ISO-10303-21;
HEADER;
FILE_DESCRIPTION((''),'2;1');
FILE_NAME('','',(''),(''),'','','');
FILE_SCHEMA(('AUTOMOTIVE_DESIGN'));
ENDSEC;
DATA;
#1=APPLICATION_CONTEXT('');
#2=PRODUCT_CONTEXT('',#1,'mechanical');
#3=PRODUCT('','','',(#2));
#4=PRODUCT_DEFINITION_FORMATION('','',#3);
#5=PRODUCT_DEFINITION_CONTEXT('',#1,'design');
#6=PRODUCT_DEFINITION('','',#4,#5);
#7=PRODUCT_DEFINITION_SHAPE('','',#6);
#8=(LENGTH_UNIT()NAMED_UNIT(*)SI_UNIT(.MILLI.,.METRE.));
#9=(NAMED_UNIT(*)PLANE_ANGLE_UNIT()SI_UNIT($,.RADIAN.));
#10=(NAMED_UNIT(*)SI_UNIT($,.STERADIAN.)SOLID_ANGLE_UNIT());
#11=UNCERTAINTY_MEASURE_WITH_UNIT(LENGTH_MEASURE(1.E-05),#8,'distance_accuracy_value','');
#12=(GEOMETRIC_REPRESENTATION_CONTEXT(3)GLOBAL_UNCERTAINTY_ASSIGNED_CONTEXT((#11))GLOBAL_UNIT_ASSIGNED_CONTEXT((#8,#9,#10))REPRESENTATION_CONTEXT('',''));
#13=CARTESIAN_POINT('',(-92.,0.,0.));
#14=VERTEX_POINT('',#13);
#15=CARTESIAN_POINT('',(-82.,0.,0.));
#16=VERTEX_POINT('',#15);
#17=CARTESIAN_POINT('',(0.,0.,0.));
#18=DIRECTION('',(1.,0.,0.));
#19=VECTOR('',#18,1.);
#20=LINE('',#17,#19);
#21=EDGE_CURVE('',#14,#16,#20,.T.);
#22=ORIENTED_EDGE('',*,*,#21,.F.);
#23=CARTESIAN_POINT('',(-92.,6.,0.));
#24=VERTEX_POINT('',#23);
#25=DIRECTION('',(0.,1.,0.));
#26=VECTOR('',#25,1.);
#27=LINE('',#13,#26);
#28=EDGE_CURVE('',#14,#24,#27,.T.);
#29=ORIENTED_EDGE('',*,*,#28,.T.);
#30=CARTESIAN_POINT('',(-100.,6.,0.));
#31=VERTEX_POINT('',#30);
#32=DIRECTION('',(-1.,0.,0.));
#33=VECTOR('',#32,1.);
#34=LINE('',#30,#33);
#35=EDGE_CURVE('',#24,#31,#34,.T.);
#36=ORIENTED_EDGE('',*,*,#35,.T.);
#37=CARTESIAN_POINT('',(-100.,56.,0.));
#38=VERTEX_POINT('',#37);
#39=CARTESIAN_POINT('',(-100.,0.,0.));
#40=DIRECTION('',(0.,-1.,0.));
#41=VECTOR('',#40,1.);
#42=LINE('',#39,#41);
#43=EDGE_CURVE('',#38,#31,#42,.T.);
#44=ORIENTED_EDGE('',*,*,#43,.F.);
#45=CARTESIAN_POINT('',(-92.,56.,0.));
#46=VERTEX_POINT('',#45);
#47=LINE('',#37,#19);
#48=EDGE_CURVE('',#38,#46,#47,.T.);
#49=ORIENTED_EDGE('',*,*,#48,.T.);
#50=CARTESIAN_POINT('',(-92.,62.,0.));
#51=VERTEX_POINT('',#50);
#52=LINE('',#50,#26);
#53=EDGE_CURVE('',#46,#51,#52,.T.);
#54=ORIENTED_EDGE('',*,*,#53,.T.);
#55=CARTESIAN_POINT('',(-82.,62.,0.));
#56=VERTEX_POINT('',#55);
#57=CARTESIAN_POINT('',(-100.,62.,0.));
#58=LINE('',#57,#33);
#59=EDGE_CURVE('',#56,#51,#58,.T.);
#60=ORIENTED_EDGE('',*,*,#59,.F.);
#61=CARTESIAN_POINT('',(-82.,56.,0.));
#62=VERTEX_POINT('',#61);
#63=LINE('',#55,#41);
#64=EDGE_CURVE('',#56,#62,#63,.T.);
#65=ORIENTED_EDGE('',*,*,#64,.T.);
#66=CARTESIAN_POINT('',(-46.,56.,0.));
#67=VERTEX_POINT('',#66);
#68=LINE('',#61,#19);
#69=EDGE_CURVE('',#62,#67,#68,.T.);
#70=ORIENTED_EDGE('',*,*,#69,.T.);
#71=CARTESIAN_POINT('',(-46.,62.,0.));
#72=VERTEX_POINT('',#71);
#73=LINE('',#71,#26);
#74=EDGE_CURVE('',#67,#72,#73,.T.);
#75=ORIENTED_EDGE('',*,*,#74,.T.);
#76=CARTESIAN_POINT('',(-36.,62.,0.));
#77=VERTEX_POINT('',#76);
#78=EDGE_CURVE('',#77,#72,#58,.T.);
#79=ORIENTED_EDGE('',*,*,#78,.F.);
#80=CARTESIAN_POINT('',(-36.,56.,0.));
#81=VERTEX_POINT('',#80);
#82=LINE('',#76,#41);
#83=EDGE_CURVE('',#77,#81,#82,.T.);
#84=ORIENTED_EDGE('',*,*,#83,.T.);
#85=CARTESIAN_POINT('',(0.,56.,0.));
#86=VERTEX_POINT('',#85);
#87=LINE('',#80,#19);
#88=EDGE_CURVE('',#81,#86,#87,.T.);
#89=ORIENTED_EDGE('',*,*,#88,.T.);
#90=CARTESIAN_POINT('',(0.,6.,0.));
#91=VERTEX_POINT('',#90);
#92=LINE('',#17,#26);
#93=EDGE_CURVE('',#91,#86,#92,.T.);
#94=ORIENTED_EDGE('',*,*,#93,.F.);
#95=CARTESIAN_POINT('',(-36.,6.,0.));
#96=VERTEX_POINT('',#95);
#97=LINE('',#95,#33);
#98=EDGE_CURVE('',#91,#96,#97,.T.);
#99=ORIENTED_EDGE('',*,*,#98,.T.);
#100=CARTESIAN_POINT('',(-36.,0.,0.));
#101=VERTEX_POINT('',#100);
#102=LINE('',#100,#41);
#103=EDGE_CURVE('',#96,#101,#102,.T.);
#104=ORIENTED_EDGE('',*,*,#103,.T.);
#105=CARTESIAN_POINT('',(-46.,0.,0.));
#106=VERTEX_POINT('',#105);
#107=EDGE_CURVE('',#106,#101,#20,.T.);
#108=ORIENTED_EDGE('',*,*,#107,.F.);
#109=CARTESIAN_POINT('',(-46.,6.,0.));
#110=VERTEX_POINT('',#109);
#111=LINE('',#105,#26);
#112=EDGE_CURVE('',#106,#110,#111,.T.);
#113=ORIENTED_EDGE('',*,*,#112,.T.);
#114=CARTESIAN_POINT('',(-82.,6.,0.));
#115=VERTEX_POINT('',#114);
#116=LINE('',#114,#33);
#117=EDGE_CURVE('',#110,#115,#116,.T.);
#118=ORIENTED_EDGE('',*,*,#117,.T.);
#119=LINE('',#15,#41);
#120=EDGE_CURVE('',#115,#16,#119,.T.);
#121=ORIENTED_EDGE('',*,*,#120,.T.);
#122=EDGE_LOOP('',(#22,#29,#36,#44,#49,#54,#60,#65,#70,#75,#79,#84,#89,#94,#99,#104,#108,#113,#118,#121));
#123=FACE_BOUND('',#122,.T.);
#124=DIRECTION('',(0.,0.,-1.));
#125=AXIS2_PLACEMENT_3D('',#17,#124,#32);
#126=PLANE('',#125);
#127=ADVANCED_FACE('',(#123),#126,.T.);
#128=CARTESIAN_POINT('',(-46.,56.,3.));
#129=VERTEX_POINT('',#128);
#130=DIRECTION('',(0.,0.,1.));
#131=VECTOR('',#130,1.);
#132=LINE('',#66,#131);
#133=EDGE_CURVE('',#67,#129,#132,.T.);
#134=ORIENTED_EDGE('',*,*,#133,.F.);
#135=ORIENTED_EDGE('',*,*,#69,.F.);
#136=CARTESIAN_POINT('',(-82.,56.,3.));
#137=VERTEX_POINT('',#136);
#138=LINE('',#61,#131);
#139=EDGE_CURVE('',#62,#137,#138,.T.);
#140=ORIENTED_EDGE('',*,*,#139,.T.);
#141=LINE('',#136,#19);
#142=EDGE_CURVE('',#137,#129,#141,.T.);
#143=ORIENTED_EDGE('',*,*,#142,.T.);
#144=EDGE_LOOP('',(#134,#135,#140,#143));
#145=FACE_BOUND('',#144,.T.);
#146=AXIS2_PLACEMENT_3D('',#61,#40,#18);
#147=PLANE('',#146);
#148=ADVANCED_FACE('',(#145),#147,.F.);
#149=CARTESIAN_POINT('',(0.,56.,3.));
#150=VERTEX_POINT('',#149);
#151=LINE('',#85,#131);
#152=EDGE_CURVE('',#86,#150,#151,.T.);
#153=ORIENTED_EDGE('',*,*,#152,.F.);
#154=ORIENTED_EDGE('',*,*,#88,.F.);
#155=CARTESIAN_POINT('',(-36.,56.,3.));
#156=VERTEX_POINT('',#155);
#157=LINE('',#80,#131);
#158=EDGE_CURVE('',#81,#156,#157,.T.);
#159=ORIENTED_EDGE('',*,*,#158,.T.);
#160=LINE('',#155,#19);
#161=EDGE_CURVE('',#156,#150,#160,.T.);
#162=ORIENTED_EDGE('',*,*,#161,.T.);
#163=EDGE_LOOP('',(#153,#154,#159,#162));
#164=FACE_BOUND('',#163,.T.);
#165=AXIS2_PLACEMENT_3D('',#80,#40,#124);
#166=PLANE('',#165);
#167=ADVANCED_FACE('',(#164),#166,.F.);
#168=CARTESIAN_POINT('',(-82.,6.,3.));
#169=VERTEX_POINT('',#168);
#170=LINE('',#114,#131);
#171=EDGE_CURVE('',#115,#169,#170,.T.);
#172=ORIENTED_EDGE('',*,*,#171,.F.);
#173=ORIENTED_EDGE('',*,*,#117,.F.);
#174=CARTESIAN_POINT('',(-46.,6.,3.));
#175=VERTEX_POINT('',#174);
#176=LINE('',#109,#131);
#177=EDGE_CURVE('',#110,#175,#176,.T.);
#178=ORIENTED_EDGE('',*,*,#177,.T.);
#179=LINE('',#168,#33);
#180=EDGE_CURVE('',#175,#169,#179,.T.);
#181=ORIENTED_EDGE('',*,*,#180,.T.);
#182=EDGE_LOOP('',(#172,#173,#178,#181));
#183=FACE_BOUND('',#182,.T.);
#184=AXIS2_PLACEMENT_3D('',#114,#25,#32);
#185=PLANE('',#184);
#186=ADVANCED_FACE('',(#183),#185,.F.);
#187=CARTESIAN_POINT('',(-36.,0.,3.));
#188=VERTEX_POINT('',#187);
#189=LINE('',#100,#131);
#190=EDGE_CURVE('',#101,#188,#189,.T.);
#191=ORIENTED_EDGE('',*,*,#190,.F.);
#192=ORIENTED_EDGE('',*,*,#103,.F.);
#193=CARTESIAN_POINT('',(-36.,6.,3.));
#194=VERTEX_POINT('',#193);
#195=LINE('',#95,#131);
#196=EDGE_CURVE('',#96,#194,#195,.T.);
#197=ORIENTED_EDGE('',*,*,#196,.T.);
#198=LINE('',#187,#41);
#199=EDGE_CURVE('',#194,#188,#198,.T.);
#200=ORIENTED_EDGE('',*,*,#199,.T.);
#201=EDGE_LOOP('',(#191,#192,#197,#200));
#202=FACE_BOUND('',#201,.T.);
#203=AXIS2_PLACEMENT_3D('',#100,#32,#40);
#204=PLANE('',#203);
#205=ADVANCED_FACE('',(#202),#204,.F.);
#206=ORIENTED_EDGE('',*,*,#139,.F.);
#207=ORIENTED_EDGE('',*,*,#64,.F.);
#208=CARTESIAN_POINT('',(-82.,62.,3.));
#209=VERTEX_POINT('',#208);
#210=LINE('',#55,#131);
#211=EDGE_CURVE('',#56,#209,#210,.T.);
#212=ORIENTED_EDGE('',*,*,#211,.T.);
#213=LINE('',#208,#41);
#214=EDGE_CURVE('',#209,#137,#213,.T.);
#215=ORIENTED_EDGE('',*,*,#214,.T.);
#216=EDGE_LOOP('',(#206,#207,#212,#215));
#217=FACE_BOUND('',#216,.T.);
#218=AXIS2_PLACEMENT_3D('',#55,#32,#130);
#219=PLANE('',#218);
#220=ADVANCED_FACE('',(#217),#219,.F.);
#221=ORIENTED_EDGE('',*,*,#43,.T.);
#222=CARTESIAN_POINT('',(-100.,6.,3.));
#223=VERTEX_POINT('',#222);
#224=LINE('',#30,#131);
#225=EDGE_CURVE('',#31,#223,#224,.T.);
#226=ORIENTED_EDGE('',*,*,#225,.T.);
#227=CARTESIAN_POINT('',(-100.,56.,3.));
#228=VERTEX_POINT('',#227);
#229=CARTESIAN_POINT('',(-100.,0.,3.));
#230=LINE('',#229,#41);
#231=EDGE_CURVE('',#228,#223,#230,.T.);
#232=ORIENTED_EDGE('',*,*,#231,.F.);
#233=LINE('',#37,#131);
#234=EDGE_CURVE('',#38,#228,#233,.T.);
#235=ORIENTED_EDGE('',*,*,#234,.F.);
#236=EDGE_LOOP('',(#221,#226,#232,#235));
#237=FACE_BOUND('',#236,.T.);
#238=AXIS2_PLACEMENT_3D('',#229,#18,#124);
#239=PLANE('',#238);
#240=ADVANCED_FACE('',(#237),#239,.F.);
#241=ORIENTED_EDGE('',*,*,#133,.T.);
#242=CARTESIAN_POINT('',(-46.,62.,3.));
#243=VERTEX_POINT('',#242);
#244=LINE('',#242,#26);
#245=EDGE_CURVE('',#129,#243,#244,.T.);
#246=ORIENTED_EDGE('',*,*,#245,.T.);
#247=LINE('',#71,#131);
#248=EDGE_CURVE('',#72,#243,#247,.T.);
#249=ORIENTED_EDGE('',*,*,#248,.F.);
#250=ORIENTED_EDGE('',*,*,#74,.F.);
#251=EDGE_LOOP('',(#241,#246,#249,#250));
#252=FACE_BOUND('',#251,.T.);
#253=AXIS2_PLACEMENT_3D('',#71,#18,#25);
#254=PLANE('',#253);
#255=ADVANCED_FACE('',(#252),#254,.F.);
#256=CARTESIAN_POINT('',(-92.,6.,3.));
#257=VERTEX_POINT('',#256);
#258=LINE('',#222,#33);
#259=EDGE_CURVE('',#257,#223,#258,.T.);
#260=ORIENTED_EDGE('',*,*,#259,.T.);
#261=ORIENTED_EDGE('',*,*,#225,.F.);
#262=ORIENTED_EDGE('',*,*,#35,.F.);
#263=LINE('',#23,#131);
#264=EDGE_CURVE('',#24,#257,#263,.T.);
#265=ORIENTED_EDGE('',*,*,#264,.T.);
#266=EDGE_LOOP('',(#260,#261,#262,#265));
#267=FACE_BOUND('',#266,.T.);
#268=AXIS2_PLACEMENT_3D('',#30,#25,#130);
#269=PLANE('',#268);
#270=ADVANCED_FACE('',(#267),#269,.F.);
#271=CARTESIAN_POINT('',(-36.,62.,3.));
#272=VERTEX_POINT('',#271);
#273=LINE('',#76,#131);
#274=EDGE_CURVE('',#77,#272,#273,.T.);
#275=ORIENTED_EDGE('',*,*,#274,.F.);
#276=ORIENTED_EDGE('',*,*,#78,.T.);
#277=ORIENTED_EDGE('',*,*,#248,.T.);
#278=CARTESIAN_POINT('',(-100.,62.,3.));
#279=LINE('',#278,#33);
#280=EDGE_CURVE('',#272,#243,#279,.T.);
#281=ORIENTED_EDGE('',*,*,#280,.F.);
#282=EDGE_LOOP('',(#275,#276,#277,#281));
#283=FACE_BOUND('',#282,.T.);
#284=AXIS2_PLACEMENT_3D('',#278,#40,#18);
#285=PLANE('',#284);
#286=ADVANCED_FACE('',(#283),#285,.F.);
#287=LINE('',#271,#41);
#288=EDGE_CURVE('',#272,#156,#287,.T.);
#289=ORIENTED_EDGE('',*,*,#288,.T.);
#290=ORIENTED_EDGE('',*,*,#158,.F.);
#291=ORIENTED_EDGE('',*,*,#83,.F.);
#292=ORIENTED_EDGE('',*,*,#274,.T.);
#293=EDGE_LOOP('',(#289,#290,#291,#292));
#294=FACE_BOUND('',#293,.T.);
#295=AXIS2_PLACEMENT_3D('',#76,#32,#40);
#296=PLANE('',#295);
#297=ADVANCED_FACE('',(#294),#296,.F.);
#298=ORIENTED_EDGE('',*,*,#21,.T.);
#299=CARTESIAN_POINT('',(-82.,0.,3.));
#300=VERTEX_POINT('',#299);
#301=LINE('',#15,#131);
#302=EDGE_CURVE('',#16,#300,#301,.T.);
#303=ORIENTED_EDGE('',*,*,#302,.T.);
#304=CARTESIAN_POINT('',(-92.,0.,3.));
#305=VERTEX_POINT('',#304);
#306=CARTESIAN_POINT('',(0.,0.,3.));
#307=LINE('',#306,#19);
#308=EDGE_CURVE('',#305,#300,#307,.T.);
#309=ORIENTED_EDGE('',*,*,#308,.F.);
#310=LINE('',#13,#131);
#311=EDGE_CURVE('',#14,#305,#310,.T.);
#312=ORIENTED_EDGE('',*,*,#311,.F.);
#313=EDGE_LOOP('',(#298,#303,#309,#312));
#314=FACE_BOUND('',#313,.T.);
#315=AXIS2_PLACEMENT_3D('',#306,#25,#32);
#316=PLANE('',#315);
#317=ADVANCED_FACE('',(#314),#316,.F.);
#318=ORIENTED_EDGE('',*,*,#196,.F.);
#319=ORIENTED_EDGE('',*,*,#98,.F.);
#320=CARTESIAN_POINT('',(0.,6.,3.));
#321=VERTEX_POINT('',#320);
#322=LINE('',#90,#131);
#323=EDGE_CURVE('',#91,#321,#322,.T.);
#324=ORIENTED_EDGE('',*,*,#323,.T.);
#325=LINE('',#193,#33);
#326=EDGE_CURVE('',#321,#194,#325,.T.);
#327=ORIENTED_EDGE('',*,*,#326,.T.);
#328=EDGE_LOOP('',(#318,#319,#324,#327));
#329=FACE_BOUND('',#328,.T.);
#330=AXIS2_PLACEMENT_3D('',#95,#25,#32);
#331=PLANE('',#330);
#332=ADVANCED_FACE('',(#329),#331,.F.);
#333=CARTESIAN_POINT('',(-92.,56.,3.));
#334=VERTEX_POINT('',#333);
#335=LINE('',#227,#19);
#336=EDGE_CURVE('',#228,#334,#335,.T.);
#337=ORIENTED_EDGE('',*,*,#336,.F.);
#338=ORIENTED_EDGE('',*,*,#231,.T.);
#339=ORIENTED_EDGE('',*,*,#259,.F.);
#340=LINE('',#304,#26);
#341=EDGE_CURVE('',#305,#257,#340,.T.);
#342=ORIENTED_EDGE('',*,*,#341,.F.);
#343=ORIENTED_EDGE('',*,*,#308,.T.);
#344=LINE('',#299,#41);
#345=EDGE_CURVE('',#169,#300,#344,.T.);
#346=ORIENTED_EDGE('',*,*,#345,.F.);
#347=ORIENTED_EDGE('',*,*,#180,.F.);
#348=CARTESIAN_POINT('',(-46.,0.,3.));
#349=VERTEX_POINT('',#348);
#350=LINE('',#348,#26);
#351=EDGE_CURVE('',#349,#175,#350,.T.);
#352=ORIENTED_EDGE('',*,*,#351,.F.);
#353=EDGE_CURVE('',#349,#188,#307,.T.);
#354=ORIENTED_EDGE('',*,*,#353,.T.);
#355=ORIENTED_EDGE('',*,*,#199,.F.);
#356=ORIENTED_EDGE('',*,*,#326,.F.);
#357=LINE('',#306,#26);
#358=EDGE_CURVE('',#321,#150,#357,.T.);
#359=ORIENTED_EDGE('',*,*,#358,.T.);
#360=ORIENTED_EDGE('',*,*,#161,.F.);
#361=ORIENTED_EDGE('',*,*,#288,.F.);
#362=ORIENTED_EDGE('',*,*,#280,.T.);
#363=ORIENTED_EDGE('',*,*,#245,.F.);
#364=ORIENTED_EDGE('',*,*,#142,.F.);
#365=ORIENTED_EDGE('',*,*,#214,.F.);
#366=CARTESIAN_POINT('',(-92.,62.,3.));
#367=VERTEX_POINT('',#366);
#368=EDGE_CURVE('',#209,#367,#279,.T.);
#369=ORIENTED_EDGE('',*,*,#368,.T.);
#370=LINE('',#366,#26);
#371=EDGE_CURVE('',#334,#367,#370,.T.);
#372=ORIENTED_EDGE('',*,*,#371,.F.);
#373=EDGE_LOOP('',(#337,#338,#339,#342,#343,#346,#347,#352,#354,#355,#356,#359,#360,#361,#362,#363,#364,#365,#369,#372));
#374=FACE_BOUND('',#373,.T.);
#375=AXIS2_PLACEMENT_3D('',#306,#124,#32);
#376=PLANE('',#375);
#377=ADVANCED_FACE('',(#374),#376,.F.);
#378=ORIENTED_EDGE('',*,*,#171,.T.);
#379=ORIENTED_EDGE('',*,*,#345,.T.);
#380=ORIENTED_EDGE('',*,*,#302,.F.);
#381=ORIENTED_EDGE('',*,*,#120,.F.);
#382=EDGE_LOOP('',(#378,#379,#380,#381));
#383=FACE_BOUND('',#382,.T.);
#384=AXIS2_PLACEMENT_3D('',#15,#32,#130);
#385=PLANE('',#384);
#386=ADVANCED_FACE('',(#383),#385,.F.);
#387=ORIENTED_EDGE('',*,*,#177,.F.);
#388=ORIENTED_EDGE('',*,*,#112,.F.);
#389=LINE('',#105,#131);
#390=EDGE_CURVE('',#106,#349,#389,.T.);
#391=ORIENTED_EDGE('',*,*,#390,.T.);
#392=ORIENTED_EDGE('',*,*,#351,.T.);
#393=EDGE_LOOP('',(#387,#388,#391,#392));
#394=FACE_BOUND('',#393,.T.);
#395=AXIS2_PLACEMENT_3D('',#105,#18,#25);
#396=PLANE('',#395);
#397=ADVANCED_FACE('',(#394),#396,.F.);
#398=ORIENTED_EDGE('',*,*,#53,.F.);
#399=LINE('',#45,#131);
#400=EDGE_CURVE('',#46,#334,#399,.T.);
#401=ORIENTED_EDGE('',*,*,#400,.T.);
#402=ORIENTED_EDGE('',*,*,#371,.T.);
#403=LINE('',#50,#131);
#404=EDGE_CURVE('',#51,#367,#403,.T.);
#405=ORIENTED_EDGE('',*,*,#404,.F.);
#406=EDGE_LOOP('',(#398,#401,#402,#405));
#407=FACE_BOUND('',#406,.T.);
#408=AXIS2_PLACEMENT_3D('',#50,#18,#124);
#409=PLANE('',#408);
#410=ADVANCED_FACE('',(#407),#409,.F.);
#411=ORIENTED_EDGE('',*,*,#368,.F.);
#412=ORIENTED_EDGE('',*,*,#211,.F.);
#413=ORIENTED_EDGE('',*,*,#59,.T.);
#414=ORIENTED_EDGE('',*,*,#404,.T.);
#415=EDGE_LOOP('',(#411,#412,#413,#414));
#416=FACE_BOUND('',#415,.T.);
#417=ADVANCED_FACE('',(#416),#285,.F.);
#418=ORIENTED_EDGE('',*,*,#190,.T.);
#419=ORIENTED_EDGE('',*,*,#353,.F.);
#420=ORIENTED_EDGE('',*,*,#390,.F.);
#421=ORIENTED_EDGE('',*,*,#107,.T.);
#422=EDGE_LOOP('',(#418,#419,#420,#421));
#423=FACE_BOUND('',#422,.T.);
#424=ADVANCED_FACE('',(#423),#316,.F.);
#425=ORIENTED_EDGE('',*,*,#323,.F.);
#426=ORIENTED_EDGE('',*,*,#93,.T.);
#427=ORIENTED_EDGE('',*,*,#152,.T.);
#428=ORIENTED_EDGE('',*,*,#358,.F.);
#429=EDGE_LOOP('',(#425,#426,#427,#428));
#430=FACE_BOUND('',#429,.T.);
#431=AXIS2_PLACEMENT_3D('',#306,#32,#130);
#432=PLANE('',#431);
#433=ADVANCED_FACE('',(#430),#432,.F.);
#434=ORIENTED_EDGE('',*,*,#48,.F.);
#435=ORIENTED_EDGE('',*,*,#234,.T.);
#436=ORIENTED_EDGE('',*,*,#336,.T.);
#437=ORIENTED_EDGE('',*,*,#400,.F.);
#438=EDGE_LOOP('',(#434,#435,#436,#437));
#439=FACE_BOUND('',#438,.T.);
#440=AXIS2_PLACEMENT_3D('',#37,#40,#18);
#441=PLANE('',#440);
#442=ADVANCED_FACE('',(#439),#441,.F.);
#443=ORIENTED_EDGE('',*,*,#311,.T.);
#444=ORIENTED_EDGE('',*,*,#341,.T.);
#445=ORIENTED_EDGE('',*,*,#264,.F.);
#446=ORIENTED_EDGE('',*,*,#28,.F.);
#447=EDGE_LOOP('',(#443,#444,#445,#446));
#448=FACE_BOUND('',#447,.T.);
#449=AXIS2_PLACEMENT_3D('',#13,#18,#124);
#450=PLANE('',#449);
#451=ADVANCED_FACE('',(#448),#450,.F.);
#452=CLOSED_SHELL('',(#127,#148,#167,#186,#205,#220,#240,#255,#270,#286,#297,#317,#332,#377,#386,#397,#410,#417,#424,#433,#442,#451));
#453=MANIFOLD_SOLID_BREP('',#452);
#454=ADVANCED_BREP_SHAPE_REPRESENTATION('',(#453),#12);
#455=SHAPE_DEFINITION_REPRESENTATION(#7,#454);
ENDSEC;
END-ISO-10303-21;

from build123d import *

# Parameters (mm, degrees)
ESQUISSE1_W             = 100
ESQUISSE1_H             = 62
BOSS_EXTRU_1_DEPTH      = 3
ESQUISSE2_W             = 8
ESQUISSE2_H             = 6
ESQUISSE2_W_2           = 36
ENL_V_MAT_EXTRU_1_DEPTH = 3


with BuildPart() as part:
    # Esquisse1 → Boss.-Extru.1 (new body)
    with BuildSketch(Plane.XY):
        with Locations((-50, 31)):
            Rectangle(ESQUISSE1_W, ESQUISSE1_H)
    extrude(amount=BOSS_EXTRU_1_DEPTH)

    # Esquisse2 → Enlèv. mat.-Extru.1 (cut)
    with BuildSketch(Plane.XY.offset(3)):
        with Locations((-96, 3)):
            Rectangle(ESQUISSE2_W, ESQUISSE2_H)
        with Locations((-64, 3)):
            Rectangle(ESQUISSE2_W_2, ESQUISSE2_H)
        with Locations((-18, 3)):
            Rectangle(ESQUISSE2_W_2, ESQUISSE2_H)
        with Locations((-18, 59)):
            Rectangle(ESQUISSE2_W_2, ESQUISSE2_H)
        with Locations((-64, 59)):
            Rectangle(ESQUISSE2_W_2, ESQUISSE2_H)
        with Locations((-96, 59)):
            Rectangle(ESQUISSE2_W, ESQUISSE2_H)
    extrude(amount=-ENL_V_MAT_EXTRU_1_DEPTH, mode=Mode.SUBTRACT)


solid = part.part
